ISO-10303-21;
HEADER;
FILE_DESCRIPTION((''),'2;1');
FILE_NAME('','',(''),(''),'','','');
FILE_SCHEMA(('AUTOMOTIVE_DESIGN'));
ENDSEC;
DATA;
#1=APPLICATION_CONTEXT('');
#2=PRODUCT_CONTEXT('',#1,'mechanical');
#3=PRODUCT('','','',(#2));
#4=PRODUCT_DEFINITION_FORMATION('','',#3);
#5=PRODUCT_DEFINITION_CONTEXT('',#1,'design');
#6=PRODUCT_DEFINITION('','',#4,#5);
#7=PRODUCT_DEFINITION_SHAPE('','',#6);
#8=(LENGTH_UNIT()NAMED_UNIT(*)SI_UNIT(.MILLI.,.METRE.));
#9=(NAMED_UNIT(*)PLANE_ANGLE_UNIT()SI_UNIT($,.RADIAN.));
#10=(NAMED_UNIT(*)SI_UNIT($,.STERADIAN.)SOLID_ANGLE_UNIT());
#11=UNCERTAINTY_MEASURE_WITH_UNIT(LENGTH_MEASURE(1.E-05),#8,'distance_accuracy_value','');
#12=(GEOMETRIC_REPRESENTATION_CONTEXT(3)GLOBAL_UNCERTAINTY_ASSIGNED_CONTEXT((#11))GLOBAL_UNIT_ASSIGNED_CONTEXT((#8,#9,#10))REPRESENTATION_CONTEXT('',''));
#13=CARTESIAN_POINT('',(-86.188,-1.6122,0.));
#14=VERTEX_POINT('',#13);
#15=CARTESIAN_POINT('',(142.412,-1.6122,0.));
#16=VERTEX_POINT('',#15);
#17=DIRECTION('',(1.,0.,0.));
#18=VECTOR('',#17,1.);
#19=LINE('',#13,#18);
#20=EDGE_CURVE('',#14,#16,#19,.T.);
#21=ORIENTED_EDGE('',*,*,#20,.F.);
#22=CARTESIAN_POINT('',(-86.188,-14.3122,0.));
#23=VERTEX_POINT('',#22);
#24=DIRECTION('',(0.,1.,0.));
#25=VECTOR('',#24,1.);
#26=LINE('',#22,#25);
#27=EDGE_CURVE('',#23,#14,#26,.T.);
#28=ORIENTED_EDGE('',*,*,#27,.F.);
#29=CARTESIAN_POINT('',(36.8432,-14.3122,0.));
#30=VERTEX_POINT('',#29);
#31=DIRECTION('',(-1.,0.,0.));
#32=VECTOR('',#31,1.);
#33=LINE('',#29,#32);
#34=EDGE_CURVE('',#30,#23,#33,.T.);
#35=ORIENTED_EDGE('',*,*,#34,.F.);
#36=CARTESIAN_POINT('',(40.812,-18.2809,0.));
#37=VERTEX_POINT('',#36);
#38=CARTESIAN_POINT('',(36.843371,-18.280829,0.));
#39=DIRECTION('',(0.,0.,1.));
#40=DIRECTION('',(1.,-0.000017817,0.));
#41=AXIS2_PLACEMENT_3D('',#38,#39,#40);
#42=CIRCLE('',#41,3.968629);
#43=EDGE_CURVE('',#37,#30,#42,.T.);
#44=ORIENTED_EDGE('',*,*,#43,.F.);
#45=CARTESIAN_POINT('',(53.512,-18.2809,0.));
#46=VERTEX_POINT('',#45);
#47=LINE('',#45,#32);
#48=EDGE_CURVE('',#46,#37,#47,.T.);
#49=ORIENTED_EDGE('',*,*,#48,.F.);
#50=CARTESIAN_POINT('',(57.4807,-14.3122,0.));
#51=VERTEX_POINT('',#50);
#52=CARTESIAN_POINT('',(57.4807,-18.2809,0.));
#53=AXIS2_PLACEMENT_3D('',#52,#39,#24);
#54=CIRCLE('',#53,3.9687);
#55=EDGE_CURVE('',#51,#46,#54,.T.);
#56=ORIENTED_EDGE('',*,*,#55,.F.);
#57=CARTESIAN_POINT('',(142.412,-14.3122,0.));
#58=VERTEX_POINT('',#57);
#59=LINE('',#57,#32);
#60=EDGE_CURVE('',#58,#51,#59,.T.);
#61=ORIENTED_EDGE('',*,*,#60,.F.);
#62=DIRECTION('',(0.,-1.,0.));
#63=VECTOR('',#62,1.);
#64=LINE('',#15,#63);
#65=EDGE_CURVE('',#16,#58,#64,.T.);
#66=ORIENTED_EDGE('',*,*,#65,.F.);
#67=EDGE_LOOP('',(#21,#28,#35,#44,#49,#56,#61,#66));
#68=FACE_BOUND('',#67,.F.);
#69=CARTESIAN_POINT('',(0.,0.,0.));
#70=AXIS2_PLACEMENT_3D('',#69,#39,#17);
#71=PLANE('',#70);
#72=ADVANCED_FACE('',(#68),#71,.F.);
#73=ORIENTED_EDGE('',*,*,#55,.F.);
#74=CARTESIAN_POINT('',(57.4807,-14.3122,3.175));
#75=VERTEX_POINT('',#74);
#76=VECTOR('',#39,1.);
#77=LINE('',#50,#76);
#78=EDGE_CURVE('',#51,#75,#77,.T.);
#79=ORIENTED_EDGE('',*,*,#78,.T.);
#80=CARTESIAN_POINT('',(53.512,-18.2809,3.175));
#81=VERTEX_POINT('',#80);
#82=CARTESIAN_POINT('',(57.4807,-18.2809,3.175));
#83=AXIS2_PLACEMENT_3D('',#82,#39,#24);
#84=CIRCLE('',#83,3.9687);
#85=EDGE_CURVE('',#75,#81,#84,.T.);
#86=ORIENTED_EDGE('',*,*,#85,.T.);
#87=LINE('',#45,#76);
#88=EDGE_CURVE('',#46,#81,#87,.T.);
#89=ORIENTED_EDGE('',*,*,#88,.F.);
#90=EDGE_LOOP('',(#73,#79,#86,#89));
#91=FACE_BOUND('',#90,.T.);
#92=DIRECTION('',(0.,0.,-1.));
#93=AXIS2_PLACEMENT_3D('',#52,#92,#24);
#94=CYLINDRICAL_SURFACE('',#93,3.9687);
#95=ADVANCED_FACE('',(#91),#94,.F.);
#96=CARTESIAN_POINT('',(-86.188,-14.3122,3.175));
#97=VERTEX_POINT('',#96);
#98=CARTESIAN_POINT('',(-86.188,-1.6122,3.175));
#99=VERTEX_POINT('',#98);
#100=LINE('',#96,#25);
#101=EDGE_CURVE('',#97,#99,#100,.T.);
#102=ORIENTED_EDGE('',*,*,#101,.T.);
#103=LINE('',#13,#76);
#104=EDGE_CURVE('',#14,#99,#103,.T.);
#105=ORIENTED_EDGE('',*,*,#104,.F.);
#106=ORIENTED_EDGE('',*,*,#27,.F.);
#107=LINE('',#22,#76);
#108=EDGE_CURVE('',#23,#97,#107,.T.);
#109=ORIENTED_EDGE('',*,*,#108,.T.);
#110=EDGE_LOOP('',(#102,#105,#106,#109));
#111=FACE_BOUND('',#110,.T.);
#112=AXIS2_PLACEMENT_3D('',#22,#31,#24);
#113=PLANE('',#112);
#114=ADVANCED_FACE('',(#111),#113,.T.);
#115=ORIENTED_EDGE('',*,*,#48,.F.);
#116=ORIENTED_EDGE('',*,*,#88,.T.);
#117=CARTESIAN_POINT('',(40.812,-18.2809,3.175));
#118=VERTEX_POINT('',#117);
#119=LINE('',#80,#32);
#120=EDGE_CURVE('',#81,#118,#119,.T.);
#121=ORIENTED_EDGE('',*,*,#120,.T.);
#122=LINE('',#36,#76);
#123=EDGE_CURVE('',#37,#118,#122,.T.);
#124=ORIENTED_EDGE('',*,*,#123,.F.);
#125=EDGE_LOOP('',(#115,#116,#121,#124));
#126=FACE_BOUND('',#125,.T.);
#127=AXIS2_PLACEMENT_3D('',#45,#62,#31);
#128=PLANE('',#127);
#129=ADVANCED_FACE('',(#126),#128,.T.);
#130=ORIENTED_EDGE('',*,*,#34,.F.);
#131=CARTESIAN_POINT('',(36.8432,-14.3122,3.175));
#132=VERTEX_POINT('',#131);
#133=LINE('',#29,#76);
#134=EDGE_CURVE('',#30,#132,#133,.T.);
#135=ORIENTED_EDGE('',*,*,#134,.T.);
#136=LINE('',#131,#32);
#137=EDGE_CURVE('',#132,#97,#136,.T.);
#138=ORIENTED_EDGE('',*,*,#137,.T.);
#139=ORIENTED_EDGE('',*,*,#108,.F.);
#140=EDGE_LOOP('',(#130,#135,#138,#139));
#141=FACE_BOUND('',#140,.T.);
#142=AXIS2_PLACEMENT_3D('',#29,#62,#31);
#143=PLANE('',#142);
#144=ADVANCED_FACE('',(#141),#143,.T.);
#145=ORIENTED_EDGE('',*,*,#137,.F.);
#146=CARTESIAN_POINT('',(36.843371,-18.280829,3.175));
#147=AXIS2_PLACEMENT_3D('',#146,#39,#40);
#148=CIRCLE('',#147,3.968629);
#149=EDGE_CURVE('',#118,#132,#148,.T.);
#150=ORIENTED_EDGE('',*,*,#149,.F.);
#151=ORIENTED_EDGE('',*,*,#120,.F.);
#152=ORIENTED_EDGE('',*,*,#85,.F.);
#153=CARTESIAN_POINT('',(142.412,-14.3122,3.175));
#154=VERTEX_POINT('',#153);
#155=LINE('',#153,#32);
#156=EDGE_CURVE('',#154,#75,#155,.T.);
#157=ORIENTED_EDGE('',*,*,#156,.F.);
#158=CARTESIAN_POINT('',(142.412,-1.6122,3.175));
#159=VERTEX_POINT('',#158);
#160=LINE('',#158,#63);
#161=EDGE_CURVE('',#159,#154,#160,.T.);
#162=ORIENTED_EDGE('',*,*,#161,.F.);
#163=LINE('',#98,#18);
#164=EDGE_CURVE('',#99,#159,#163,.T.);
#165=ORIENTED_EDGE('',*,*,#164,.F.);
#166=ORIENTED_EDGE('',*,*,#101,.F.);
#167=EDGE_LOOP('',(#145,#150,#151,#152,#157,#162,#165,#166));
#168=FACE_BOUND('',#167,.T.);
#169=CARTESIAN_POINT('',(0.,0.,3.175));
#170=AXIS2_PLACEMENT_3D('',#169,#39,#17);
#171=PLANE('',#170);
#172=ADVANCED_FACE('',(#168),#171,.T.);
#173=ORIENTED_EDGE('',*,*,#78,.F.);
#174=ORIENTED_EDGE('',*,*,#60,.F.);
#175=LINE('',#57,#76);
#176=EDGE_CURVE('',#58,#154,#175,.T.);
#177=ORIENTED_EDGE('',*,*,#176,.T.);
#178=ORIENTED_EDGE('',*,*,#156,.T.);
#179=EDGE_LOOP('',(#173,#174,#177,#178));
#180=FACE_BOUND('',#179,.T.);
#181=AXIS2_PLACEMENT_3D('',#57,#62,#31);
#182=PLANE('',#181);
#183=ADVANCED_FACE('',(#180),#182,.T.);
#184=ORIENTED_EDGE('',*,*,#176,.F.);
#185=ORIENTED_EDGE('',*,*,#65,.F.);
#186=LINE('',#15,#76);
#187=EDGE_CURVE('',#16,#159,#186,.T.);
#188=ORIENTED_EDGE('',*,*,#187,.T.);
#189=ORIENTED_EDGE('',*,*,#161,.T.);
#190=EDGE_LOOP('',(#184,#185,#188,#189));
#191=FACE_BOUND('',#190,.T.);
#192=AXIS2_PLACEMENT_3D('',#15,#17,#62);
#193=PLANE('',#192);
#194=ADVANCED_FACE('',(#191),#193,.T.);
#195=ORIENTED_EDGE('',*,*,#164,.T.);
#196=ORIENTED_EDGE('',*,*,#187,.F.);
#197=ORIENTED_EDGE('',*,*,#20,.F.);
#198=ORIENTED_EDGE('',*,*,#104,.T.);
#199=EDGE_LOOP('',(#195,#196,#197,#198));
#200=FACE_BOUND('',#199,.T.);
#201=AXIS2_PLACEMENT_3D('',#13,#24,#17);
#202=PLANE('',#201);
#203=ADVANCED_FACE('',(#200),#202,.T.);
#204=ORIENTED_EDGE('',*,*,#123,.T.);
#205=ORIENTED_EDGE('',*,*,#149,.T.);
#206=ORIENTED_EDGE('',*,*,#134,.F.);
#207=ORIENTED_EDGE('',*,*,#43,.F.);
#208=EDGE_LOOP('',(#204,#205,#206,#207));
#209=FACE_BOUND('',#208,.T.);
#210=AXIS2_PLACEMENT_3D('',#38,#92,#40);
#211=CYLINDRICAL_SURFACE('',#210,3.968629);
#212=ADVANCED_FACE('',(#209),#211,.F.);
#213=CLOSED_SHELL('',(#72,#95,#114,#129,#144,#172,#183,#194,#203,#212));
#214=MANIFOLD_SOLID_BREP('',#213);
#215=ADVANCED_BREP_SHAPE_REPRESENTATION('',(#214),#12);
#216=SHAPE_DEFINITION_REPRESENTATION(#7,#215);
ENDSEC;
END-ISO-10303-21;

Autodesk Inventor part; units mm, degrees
ref_plane "YZ Plane" through (0, 0, 0) normal (1, 0, 0) x (0, 1, 0)
ref_plane "XZ Plane" through (0, 0, 0) normal (0, 1, 0) x (-1, 0, 0)
ref_plane "XY Plane" through (0, 0, 0) normal (0, 0, 1) x (1, 0, 0)
sketch "Sketch1" plane through (0, 0, 0) normal (0, 0, 1) x (1, 0, 0)
  line L0 (-86.188, -1.6122) -> (142.412, -1.6122)
  line L1 (142.412, -1.6122) -> (142.412, -14.3122)
  line L2 (142.412, -14.3122) -> (57.4807, -14.3122)
  line L3 (-86.188, -14.3122) -> (-86.188, -1.6122)
  line L4 (53.512, -18.2809) -> (53.512, -18.2809)
  line L5 (53.512, -18.2809) -> (40.812, -18.2809)
  line L6 (40.812, -18.2809) -> (40.812, -18.2809)
  line L7 (36.8432, -14.3122) -> (-86.188, -14.3122)
  arc A0 (40.812, -18.2809) -> (36.8432, -14.3122) centre (36.8432, -18.2809) ccw
  arc A1 (57.4807, -14.3122) -> (53.512, -18.2809) centre (57.4807, -18.2809) ccw
  point P0 (0, 0)
  point P1 (53.512, -14.3122)
  dimension "d0" = 228.6
  dimension "d1" = 12.7
  dimension "d2" = 12.7
  dimension "d3" = 3.9688
  dimension "d4" = 88.9
  dimension "d5" = 3.9688
extrude "Extrusion1" add sketch "Sketch1" along normal blind 3.175
properties part number "Granny Gearbox Routing Template Horizontal Tabs"
